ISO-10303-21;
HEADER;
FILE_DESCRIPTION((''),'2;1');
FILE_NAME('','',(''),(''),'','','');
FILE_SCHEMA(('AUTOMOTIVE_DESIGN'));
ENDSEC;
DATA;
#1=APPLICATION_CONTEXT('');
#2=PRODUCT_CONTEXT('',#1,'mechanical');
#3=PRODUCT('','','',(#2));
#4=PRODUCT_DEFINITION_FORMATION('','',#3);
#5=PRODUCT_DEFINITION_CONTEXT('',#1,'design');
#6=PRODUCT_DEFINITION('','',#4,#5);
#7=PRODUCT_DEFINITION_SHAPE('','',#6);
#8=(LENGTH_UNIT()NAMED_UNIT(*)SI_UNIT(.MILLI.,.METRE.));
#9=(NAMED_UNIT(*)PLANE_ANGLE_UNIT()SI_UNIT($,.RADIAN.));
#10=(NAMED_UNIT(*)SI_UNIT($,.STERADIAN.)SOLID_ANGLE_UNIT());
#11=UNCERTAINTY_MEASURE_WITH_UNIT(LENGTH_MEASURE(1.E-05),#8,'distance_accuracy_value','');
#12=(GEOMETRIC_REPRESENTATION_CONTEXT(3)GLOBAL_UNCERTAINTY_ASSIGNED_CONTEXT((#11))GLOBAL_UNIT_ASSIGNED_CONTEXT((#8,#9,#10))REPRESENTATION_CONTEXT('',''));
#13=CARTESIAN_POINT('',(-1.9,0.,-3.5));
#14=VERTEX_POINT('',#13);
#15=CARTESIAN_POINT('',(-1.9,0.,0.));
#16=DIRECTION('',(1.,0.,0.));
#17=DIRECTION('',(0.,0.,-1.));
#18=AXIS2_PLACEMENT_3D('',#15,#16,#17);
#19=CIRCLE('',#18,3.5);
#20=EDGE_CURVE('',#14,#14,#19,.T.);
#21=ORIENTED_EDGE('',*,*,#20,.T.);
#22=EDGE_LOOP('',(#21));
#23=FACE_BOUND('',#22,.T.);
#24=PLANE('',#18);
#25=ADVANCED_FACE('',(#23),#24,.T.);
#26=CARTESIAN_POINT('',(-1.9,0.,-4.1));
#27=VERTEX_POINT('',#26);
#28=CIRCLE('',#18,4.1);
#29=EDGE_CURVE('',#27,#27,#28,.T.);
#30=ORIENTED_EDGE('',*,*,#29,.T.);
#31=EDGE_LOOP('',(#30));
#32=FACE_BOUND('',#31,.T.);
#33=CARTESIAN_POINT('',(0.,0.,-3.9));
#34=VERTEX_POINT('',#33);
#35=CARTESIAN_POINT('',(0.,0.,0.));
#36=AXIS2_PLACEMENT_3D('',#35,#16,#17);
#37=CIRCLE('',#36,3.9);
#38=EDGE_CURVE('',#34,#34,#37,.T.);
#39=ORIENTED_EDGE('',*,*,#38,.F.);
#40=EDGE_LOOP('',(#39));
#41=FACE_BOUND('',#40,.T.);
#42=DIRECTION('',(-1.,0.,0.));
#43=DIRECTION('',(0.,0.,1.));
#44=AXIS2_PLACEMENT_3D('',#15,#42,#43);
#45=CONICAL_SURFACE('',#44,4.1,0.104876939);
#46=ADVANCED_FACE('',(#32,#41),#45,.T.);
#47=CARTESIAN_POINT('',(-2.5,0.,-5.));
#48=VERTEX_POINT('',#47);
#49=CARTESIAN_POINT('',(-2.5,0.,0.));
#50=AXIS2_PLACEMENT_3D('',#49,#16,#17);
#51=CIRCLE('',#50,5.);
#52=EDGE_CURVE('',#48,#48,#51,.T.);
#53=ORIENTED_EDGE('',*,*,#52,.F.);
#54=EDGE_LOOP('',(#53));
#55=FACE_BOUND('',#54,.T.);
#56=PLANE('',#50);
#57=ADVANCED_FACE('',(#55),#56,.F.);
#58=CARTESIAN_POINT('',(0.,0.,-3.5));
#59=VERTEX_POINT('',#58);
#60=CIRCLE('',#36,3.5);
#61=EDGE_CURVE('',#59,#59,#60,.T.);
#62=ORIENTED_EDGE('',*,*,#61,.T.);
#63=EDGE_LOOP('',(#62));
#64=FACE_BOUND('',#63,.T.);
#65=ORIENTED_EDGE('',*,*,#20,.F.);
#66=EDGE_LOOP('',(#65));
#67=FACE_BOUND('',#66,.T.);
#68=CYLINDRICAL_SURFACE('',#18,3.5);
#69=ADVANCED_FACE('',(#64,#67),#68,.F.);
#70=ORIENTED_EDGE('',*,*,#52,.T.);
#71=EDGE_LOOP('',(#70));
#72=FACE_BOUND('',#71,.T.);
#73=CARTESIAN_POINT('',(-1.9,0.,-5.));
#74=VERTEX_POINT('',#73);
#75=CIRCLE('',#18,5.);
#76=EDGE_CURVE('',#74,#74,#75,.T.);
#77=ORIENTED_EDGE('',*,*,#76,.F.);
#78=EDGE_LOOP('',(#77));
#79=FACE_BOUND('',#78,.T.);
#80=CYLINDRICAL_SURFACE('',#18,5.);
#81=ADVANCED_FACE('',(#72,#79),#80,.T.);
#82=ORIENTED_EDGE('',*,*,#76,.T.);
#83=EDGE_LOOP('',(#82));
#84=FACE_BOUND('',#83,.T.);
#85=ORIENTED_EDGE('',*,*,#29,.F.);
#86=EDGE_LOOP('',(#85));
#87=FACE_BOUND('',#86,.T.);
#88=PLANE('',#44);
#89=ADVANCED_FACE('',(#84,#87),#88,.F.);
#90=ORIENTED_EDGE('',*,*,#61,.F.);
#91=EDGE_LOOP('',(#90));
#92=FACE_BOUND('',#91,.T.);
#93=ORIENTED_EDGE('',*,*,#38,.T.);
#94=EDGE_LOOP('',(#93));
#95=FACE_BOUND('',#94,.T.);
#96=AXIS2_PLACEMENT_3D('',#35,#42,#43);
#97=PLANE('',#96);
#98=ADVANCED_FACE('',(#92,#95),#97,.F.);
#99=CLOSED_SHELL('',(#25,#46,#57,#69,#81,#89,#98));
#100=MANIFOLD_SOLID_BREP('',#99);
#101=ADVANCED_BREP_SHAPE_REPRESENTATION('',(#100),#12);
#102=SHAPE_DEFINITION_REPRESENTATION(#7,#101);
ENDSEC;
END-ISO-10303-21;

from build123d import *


with BuildPart() as part:
    # 草图1 → 旋转1 (revolve)
    with BuildSketch(Plane.XY, mode=Mode.PRIVATE) as revolve_1_sk:
        Polygon((-1.9, 0), (-2.5, 0), (-2.5, 3.5), (-2.5, 5), (-1.9, 5), (-1.9, 4.1), (0, 3.9), (0, 3.5), (-1.9, 3.5), align=None)
    revolve(revolve_1_sk.sketch.rotate(Axis((-1.9, 0, 0), (-1, 0, 0)), 90), axis=Axis((-1.9, 0, 0), (-1, 0, 0)))


solid = part.part
